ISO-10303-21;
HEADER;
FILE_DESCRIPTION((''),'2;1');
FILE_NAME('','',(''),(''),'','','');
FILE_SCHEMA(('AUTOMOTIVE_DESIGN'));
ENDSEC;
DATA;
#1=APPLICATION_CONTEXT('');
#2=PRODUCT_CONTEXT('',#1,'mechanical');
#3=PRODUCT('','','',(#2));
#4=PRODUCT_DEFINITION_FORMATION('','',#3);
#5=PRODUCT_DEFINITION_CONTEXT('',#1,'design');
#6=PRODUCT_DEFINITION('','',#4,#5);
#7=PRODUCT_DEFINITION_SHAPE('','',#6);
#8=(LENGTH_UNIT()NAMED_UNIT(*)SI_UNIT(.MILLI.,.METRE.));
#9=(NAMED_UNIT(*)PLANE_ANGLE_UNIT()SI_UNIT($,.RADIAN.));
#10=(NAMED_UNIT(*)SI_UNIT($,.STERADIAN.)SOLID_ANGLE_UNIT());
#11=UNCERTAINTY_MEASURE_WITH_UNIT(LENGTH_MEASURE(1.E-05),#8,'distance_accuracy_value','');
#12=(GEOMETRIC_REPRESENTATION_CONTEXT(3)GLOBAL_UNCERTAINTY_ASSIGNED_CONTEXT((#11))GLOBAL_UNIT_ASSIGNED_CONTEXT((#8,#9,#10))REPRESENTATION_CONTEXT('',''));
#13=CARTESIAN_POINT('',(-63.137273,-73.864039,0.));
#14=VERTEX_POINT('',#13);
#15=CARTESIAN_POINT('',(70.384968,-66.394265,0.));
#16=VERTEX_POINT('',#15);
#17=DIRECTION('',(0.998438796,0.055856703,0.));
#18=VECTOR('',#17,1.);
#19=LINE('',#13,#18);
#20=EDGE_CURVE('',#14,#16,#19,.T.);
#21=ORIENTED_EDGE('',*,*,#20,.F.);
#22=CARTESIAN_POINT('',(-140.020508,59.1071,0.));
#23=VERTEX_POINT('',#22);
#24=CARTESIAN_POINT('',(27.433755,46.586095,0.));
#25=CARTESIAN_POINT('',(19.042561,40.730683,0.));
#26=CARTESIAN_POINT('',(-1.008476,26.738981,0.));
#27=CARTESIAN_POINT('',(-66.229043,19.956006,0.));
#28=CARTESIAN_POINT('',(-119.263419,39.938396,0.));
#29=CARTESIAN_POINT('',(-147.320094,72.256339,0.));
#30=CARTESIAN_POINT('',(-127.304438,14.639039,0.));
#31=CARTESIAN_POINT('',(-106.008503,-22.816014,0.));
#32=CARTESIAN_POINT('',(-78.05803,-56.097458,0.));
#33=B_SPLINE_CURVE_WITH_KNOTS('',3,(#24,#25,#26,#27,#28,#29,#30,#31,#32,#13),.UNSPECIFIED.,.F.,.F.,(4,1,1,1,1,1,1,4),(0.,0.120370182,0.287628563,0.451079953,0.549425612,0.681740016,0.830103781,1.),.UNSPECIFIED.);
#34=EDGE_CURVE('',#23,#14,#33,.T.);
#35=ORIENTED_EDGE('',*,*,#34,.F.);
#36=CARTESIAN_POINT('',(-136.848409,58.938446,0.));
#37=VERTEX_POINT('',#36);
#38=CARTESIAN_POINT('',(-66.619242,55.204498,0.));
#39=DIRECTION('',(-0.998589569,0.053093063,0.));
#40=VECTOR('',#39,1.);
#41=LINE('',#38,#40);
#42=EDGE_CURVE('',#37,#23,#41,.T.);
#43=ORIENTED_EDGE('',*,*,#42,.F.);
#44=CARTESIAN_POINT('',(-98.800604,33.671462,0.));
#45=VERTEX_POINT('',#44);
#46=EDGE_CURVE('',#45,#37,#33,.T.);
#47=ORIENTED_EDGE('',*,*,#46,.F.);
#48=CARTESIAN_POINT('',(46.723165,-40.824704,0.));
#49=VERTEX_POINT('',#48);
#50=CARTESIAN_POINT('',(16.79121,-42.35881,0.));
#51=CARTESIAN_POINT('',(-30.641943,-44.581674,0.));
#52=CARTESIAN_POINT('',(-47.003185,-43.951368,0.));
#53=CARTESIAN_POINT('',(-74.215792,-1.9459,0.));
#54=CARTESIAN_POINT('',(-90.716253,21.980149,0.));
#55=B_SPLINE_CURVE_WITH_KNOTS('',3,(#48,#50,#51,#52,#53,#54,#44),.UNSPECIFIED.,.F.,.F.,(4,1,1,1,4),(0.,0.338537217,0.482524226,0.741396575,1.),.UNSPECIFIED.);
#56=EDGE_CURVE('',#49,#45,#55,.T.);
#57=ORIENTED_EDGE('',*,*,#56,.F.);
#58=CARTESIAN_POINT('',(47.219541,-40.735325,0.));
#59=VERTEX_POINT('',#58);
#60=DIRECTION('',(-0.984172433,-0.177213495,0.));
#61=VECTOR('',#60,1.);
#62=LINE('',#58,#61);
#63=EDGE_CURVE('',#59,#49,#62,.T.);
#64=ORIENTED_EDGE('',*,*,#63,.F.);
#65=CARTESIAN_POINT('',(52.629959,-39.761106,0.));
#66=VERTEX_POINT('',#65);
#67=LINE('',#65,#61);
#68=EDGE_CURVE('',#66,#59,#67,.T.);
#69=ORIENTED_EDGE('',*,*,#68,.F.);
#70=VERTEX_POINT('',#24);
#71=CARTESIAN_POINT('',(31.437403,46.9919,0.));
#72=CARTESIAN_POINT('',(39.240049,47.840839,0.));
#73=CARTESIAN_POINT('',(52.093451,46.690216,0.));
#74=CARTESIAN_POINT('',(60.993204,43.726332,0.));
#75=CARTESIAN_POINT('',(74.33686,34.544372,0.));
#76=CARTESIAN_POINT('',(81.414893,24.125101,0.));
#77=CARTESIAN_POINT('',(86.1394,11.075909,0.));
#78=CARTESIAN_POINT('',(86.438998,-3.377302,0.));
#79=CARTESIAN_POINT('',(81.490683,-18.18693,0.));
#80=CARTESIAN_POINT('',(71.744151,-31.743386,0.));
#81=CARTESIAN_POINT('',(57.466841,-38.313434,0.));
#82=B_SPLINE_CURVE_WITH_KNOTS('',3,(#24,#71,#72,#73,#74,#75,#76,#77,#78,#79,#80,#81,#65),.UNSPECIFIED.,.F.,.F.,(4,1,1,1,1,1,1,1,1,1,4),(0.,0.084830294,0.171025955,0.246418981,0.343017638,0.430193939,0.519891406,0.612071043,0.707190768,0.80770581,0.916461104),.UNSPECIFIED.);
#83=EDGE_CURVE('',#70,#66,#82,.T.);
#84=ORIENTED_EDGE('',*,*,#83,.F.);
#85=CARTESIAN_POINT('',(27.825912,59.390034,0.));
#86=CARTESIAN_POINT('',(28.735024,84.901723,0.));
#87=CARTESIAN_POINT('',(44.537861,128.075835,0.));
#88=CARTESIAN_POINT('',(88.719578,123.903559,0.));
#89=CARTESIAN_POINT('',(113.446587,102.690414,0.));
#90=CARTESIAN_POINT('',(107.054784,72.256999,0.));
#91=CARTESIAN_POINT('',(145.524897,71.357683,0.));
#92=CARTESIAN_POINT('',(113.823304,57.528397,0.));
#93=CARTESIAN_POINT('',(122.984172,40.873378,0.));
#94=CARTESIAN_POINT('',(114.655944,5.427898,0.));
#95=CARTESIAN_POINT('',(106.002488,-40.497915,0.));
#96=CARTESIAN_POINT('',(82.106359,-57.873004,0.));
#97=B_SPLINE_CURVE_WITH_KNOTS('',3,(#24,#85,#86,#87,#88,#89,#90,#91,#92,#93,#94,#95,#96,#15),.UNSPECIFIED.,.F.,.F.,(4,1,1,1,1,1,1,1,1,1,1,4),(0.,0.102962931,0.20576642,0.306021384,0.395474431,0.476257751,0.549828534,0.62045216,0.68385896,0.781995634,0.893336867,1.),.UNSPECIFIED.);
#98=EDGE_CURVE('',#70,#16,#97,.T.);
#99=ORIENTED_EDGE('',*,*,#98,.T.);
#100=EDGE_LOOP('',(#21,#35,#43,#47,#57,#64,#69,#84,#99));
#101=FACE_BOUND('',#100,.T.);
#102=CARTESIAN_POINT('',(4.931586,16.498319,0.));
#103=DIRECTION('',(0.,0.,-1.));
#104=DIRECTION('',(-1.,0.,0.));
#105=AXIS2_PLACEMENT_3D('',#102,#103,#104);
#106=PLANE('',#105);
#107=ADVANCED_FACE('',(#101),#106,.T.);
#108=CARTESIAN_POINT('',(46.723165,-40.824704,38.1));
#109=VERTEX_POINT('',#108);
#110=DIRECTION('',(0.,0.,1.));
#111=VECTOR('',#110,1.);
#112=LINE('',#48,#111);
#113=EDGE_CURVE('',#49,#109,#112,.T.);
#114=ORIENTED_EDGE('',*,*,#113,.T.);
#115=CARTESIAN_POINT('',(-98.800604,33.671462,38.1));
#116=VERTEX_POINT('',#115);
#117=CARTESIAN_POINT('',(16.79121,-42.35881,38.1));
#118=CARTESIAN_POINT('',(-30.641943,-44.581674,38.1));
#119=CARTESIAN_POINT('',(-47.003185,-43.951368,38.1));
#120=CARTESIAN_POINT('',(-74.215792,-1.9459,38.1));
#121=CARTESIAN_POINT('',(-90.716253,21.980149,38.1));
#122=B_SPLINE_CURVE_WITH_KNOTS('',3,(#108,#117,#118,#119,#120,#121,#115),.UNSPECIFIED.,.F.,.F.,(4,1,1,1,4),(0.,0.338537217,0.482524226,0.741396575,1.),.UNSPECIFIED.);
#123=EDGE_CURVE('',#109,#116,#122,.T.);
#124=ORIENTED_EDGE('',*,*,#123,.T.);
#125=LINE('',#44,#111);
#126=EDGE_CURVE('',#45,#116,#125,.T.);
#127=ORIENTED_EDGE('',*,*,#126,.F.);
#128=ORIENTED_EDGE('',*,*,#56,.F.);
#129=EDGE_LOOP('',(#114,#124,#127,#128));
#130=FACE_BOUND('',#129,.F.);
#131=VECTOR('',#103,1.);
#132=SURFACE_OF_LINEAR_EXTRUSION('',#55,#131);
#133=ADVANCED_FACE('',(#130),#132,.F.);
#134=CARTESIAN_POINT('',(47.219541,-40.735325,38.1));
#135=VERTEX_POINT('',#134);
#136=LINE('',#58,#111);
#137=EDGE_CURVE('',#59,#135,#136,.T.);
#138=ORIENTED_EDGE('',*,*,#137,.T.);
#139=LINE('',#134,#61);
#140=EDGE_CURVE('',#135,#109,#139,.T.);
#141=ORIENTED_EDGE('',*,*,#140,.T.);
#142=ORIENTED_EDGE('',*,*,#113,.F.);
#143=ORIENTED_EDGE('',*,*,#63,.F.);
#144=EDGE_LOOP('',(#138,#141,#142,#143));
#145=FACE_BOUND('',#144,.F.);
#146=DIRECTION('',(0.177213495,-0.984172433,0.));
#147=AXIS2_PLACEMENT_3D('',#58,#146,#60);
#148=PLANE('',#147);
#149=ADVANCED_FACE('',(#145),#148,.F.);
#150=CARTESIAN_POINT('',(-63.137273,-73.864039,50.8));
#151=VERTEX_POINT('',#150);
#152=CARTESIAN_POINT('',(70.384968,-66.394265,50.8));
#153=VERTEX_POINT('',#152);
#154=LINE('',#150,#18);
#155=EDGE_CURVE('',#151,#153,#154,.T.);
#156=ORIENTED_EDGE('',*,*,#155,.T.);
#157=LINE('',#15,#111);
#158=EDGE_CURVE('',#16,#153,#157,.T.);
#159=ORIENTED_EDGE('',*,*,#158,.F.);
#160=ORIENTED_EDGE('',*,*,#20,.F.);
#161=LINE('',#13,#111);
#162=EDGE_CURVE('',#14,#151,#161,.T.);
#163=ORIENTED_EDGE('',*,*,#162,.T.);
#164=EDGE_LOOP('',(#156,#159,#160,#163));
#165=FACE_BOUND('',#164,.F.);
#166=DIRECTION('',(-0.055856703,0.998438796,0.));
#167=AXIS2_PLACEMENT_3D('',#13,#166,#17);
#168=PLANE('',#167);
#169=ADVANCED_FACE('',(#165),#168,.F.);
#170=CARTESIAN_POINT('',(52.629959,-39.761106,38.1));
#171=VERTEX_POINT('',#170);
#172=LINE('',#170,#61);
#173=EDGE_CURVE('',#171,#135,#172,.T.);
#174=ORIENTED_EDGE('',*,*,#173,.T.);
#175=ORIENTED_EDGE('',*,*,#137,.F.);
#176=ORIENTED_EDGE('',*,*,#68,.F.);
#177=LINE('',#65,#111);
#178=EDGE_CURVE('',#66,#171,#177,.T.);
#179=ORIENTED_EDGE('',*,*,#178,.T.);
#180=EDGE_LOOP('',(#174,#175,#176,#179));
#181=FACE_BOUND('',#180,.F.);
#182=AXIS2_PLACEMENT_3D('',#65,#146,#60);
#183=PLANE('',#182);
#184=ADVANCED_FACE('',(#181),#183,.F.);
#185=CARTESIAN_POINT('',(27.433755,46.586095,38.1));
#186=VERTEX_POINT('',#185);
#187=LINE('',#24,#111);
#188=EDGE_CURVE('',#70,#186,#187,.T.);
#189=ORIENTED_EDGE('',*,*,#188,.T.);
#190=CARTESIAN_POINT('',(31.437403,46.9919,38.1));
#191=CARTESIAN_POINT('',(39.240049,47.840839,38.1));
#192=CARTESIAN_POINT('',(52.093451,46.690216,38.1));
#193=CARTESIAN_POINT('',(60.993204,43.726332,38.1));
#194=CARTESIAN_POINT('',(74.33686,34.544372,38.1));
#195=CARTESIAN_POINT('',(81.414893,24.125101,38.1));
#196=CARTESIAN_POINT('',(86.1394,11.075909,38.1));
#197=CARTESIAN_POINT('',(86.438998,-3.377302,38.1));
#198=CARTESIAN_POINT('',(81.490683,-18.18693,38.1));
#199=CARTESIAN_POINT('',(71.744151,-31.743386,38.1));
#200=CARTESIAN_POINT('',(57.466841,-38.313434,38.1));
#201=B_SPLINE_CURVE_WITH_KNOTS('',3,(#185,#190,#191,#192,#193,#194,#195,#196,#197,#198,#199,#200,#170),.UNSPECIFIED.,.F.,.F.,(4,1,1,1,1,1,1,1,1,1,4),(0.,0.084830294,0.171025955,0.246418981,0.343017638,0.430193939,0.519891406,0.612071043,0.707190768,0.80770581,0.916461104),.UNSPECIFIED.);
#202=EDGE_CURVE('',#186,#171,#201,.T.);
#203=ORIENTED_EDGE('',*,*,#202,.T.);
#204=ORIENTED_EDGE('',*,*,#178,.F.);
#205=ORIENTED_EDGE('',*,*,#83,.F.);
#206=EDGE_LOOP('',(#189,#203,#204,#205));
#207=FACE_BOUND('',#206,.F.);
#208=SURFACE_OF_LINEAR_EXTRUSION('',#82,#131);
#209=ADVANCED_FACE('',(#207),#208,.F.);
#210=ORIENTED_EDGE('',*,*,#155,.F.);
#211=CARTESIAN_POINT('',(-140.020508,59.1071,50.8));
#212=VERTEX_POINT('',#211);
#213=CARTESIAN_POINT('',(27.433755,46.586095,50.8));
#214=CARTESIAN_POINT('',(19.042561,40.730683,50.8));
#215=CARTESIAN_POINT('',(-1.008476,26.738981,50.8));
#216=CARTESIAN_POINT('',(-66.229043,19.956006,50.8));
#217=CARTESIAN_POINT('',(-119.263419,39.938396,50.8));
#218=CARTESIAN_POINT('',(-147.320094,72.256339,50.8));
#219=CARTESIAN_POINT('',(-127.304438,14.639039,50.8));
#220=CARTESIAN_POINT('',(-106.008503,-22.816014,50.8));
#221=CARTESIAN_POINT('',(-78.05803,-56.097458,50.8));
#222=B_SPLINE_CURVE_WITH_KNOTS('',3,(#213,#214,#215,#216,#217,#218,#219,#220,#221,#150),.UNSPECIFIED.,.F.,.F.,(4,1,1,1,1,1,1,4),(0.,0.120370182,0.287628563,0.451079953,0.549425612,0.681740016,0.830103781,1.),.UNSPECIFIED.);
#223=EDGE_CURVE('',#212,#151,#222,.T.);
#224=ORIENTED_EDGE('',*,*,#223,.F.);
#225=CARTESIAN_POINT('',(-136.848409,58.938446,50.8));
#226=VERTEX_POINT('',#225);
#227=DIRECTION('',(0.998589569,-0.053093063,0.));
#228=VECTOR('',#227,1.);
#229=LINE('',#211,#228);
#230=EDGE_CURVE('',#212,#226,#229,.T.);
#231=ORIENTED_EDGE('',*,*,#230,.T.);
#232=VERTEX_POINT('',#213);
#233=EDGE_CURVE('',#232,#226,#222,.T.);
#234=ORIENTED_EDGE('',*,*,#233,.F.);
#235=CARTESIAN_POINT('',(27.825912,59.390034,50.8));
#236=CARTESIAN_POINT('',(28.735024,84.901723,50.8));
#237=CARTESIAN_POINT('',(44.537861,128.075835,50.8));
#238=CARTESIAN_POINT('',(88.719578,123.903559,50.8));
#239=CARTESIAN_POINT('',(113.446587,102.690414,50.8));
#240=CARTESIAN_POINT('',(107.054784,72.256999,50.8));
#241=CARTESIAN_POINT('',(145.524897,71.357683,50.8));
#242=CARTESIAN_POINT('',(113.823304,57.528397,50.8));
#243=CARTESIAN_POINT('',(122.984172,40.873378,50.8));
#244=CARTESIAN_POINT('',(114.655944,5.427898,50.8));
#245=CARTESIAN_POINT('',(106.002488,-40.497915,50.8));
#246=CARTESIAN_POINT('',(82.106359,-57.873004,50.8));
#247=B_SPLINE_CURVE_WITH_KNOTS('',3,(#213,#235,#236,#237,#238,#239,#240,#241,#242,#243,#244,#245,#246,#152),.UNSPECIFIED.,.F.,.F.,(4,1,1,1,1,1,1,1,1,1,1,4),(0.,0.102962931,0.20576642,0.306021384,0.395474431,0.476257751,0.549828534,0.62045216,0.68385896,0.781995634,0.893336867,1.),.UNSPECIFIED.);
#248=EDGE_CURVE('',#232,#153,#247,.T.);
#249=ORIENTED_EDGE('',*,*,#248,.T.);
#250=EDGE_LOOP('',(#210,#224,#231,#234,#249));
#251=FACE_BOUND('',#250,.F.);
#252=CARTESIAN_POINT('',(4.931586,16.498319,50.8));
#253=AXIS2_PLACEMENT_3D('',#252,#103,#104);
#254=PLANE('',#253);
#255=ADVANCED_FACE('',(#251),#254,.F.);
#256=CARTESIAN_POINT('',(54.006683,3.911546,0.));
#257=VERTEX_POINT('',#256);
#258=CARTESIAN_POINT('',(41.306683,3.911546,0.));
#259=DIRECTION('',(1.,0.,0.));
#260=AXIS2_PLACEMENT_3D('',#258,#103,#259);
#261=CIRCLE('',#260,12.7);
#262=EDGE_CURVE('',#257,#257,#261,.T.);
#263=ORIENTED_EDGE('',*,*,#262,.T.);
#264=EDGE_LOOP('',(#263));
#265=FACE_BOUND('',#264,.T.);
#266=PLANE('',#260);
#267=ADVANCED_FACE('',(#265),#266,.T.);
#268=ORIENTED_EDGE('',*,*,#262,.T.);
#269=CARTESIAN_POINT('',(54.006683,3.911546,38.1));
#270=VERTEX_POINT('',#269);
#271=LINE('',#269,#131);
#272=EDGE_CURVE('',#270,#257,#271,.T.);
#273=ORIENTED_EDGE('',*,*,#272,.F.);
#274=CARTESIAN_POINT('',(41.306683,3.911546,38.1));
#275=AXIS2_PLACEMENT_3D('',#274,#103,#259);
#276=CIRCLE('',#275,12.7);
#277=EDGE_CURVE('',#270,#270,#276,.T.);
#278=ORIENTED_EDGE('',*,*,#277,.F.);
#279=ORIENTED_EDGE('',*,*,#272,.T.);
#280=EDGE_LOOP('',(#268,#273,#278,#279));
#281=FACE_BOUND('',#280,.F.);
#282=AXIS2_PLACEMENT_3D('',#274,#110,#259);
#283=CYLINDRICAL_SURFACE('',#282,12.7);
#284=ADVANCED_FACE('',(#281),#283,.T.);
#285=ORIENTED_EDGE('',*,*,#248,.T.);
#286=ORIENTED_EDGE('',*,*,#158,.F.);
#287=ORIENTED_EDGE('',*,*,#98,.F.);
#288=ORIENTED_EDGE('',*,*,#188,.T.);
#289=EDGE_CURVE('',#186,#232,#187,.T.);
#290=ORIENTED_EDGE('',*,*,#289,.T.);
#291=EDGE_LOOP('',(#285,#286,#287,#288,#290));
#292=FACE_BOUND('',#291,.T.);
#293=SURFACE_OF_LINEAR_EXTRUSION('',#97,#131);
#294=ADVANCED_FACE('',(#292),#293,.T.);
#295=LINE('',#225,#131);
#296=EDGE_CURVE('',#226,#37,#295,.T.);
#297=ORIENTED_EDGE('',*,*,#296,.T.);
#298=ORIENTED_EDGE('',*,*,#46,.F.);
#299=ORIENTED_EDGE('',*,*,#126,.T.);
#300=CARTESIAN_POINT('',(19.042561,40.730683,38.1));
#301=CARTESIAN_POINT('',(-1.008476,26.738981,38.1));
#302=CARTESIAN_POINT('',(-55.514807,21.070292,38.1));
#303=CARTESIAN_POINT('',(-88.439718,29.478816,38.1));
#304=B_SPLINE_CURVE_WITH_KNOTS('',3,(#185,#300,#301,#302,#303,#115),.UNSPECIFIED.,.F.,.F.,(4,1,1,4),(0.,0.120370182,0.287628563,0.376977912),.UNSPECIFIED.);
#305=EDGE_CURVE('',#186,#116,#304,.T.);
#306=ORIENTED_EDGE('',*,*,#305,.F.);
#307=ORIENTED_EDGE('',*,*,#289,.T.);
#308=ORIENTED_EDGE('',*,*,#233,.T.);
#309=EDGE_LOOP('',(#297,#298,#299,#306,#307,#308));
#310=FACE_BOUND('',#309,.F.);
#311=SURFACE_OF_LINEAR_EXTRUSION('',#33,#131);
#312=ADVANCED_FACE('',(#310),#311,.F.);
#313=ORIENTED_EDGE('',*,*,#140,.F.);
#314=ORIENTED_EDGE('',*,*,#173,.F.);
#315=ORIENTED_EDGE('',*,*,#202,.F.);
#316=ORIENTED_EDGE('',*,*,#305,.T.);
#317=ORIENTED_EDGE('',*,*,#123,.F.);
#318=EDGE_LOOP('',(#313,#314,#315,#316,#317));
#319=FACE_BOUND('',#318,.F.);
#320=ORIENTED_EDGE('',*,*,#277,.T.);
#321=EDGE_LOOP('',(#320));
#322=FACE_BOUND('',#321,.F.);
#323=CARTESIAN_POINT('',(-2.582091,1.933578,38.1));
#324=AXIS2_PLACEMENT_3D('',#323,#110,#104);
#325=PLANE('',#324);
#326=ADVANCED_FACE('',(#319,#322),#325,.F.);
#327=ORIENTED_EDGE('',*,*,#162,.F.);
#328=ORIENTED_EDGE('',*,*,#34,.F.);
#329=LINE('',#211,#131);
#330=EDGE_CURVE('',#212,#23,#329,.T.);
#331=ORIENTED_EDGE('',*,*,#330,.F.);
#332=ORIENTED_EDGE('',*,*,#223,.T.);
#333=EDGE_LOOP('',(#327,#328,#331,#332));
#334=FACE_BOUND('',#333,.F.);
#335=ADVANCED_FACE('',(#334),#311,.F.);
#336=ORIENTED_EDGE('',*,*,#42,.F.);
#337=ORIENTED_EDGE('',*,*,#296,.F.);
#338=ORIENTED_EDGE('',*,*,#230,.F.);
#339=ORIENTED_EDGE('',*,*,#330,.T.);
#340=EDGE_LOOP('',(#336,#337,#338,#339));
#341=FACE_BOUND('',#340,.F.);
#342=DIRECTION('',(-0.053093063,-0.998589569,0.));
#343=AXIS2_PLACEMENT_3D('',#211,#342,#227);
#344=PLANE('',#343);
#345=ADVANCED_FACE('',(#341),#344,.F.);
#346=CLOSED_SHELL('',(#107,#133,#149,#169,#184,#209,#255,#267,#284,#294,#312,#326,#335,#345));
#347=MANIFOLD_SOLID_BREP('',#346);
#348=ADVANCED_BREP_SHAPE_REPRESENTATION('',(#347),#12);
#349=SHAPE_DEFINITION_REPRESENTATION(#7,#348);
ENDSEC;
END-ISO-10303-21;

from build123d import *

# Parameters (mm, degrees)
F0_R     = 12.7
F1_DEPTH = 50.8
F3_DEPTH = 25.4
F4_DEPTH = 38.1
F5_R     = 12.7
F6_DEPTH = 38.1
F8_DEPTH = 57.15


with BuildPart() as f1:
    # F0 (on Top) → F1 (new body)
    with BuildSketch(Plane.XY):
        with BuildLine():
            add(Edge.make_bspline(
                [(27.4337547809, 46.5860947204), (27.8259118735, 59.3900340109), (28.7350240175, 84.9017231758), (44.5378608579, 128.0758350011), (88.7195783182, 123.9035588461), (113.4465866021, 102.6904143159), (107.0547835653, 72.2569992807), (145.524897028, 71.3576825747), (113.8233042067, 57.5283974657), (122.9841717086, 40.873377773), (114.655943501, 5.427898478), (106.0024884505, -40.4979150022), (82.1063592819, -57.8730035409), (70.38496787, -66.3942647761)],
                knots=[0, 0, 0, 0, 0.1029629306, 0.2057664197, 0.306021384, 0.3954744313, 0.4762577515, 0.549828534, 0.6204521602, 0.6838589597, 0.7819956339, 0.8933368667, 1, 1, 1, 1], degree=3))
            add(Edge.make_bspline(
                [(27.4337547809, 46.5860947204), (19.0425610538, 40.730682759), (-1.0084761896, 26.7389806087), (-66.2290425935, 19.9560057195), (-119.2634194787, 39.9383955077), (-147.3200936416, 72.2563390192), (-127.3044376269, 14.6390387909), (-106.0085026934, -22.816013629), (-78.0580296441, -56.0974582902), (-63.1372732443, -73.8640387536)],
                knots=[0, 0, 0, 0, 0.1203701816, 0.2876285631, 0.4510799528, 0.5494256124, 0.6817400159, 0.8301037808, 1, 1, 1, 1], degree=3))
            Line((-63.1372732443, -73.8640387536), (70.38496787, -66.3942647761))
        make_face()
        with Locations((41.7375797942, 2.6803046681)):
            Circle(F0_R, mode=Mode.SUBTRACT)
        with Locations((41.7375797942, 2.6803046681)):
            Circle(F0_R)
    extrude(amount=F1_DEPTH)

    # F2 (on face) → F3 (join)
    with BuildSketch(Plane(origin=(0, 0, 0), x_dir=(1, 0, 0), z_dir=(0, 0, -1))):
        with BuildLine():
            Line((47.2195408762, 40.7353246451), (52.6299588371, 39.7611060606))
            add(Edge.make_bspline(
                [(52.6299588371, 39.7611060606), (50.6489317335, 40.354024543), (49.1011674184, 40.6170382239), (47.2195408762, 40.7353246451)],
                knots=[0.9164611043, 0.9164611043, 0.9164611043, 0.9164611043, 0.9610036748, 0.9610036748, 0.9610036748, 0.9610036748], degree=3))
        make_face()
    extrude(amount=-F3_DEPTH)

    # F2 (on face) → F4 (cut)
    with BuildSketch(Plane(origin=(0, 0, 0), x_dir=(1, 0, 0), z_dir=(0, 0, -1))):
        with BuildLine():
            add(Edge.make_bspline(
                [(27.4337547809, -46.5860947204), (19.0425610538, -40.730682759), (-1.0084761896, -26.7389806087), (-55.5148065803, -21.0702921761), (-88.4397177841, -29.4788160905), (-98.8006035212, -33.6714621212)],
                knots=[0, 0, 0, 0, 0.1203701816, 0.2876285631, 0.3769779119, 0.3769779119, 0.3769779119, 0.3769779119], degree=3))
            add(Edge.make_bspline(
                [(27.4337547809, -46.5860947204), (31.4374033578, -46.9918999783), (39.2400492103, -47.8408391045), (52.0934510614, -46.6902157181), (60.9932037488, -43.726331701), (74.3368604304, -34.5443721443), (81.414893348, -24.1251005418), (86.1393998927, -11.0759091715), (86.4389982671, 3.3773020376), (81.4906832786, 18.1869300349), (71.7441511556, 31.743386456), (57.4668414874, 38.3134342367), (52.6299588371, 39.7611060606)],
                knots=[0, 0, 0, 0, 0.0848302943, 0.1710259554, 0.2464189815, 0.3430176379, 0.430193939, 0.5198914055, 0.6120710433, 0.7071907685, 0.8077058096, 0.9164611043, 0.9164611043, 0.9164611043, 0.9164611043], degree=3))
            Line((52.6299588371, 39.7611060606), (47.2195408762, 40.7353246451))
            Line((47.2195408762, 40.7353246451), (46.723164618, 40.8247038722))
            add(Edge.make_bspline(
                [(46.723164618, 40.8247038722), (16.7912098011, 42.358810039), (-30.6419434215, 44.5816740224), (-47.0031846207, 43.951368065), (-74.2157924914, 1.9459002937), (-90.716252816, -21.9801490439), (-98.8006035212, -33.6714621212)],
                knots=[0, 0, 0, 0, 0.3385372174, 0.4825242264, 0.7413965747, 1, 1, 1, 1], degree=3))
        make_face()
    extrude(amount=-F4_DEPTH, mode=Mode.SUBTRACT)

    # F5 (on face) → F6 (join)
    with BuildSketch(Plane(origin=(0, 0, 38.1), x_dir=(1, 0, 0), z_dir=(0, 0, -1))):
        with Locations((41.3066826957, -3.9115463854)):
            Circle(F5_R)
    extrude(amount=F6_DEPTH)

    # F7 (on face) → F8 (cut)
    with BuildSketch(Plane.XY.offset(50.8)):
        with BuildLine():
            add(Edge.make_bspline(
                [(-136.8484088539, 58.9384460345), (-138.1938176209, 59.8379872864), (-139.4211725045, 60.2568426195), (-139.9423078101, 59.3428762408), (-140.0205081808, 59.1071003783)],
                knots=[0.5205152397, 0.5205152397, 0.5205152397, 0.5205152397, 0.5494256124, 0.5567602734, 0.5567602734, 0.5567602734, 0.5567602734], degree=3))
            Line((-140.0205081808, 59.1071003783), (-136.8484088539, 58.9384460345))
        make_face()
    extrude(amount=-F8_DEPTH, mode=Mode.SUBTRACT)


solid = f1.part
